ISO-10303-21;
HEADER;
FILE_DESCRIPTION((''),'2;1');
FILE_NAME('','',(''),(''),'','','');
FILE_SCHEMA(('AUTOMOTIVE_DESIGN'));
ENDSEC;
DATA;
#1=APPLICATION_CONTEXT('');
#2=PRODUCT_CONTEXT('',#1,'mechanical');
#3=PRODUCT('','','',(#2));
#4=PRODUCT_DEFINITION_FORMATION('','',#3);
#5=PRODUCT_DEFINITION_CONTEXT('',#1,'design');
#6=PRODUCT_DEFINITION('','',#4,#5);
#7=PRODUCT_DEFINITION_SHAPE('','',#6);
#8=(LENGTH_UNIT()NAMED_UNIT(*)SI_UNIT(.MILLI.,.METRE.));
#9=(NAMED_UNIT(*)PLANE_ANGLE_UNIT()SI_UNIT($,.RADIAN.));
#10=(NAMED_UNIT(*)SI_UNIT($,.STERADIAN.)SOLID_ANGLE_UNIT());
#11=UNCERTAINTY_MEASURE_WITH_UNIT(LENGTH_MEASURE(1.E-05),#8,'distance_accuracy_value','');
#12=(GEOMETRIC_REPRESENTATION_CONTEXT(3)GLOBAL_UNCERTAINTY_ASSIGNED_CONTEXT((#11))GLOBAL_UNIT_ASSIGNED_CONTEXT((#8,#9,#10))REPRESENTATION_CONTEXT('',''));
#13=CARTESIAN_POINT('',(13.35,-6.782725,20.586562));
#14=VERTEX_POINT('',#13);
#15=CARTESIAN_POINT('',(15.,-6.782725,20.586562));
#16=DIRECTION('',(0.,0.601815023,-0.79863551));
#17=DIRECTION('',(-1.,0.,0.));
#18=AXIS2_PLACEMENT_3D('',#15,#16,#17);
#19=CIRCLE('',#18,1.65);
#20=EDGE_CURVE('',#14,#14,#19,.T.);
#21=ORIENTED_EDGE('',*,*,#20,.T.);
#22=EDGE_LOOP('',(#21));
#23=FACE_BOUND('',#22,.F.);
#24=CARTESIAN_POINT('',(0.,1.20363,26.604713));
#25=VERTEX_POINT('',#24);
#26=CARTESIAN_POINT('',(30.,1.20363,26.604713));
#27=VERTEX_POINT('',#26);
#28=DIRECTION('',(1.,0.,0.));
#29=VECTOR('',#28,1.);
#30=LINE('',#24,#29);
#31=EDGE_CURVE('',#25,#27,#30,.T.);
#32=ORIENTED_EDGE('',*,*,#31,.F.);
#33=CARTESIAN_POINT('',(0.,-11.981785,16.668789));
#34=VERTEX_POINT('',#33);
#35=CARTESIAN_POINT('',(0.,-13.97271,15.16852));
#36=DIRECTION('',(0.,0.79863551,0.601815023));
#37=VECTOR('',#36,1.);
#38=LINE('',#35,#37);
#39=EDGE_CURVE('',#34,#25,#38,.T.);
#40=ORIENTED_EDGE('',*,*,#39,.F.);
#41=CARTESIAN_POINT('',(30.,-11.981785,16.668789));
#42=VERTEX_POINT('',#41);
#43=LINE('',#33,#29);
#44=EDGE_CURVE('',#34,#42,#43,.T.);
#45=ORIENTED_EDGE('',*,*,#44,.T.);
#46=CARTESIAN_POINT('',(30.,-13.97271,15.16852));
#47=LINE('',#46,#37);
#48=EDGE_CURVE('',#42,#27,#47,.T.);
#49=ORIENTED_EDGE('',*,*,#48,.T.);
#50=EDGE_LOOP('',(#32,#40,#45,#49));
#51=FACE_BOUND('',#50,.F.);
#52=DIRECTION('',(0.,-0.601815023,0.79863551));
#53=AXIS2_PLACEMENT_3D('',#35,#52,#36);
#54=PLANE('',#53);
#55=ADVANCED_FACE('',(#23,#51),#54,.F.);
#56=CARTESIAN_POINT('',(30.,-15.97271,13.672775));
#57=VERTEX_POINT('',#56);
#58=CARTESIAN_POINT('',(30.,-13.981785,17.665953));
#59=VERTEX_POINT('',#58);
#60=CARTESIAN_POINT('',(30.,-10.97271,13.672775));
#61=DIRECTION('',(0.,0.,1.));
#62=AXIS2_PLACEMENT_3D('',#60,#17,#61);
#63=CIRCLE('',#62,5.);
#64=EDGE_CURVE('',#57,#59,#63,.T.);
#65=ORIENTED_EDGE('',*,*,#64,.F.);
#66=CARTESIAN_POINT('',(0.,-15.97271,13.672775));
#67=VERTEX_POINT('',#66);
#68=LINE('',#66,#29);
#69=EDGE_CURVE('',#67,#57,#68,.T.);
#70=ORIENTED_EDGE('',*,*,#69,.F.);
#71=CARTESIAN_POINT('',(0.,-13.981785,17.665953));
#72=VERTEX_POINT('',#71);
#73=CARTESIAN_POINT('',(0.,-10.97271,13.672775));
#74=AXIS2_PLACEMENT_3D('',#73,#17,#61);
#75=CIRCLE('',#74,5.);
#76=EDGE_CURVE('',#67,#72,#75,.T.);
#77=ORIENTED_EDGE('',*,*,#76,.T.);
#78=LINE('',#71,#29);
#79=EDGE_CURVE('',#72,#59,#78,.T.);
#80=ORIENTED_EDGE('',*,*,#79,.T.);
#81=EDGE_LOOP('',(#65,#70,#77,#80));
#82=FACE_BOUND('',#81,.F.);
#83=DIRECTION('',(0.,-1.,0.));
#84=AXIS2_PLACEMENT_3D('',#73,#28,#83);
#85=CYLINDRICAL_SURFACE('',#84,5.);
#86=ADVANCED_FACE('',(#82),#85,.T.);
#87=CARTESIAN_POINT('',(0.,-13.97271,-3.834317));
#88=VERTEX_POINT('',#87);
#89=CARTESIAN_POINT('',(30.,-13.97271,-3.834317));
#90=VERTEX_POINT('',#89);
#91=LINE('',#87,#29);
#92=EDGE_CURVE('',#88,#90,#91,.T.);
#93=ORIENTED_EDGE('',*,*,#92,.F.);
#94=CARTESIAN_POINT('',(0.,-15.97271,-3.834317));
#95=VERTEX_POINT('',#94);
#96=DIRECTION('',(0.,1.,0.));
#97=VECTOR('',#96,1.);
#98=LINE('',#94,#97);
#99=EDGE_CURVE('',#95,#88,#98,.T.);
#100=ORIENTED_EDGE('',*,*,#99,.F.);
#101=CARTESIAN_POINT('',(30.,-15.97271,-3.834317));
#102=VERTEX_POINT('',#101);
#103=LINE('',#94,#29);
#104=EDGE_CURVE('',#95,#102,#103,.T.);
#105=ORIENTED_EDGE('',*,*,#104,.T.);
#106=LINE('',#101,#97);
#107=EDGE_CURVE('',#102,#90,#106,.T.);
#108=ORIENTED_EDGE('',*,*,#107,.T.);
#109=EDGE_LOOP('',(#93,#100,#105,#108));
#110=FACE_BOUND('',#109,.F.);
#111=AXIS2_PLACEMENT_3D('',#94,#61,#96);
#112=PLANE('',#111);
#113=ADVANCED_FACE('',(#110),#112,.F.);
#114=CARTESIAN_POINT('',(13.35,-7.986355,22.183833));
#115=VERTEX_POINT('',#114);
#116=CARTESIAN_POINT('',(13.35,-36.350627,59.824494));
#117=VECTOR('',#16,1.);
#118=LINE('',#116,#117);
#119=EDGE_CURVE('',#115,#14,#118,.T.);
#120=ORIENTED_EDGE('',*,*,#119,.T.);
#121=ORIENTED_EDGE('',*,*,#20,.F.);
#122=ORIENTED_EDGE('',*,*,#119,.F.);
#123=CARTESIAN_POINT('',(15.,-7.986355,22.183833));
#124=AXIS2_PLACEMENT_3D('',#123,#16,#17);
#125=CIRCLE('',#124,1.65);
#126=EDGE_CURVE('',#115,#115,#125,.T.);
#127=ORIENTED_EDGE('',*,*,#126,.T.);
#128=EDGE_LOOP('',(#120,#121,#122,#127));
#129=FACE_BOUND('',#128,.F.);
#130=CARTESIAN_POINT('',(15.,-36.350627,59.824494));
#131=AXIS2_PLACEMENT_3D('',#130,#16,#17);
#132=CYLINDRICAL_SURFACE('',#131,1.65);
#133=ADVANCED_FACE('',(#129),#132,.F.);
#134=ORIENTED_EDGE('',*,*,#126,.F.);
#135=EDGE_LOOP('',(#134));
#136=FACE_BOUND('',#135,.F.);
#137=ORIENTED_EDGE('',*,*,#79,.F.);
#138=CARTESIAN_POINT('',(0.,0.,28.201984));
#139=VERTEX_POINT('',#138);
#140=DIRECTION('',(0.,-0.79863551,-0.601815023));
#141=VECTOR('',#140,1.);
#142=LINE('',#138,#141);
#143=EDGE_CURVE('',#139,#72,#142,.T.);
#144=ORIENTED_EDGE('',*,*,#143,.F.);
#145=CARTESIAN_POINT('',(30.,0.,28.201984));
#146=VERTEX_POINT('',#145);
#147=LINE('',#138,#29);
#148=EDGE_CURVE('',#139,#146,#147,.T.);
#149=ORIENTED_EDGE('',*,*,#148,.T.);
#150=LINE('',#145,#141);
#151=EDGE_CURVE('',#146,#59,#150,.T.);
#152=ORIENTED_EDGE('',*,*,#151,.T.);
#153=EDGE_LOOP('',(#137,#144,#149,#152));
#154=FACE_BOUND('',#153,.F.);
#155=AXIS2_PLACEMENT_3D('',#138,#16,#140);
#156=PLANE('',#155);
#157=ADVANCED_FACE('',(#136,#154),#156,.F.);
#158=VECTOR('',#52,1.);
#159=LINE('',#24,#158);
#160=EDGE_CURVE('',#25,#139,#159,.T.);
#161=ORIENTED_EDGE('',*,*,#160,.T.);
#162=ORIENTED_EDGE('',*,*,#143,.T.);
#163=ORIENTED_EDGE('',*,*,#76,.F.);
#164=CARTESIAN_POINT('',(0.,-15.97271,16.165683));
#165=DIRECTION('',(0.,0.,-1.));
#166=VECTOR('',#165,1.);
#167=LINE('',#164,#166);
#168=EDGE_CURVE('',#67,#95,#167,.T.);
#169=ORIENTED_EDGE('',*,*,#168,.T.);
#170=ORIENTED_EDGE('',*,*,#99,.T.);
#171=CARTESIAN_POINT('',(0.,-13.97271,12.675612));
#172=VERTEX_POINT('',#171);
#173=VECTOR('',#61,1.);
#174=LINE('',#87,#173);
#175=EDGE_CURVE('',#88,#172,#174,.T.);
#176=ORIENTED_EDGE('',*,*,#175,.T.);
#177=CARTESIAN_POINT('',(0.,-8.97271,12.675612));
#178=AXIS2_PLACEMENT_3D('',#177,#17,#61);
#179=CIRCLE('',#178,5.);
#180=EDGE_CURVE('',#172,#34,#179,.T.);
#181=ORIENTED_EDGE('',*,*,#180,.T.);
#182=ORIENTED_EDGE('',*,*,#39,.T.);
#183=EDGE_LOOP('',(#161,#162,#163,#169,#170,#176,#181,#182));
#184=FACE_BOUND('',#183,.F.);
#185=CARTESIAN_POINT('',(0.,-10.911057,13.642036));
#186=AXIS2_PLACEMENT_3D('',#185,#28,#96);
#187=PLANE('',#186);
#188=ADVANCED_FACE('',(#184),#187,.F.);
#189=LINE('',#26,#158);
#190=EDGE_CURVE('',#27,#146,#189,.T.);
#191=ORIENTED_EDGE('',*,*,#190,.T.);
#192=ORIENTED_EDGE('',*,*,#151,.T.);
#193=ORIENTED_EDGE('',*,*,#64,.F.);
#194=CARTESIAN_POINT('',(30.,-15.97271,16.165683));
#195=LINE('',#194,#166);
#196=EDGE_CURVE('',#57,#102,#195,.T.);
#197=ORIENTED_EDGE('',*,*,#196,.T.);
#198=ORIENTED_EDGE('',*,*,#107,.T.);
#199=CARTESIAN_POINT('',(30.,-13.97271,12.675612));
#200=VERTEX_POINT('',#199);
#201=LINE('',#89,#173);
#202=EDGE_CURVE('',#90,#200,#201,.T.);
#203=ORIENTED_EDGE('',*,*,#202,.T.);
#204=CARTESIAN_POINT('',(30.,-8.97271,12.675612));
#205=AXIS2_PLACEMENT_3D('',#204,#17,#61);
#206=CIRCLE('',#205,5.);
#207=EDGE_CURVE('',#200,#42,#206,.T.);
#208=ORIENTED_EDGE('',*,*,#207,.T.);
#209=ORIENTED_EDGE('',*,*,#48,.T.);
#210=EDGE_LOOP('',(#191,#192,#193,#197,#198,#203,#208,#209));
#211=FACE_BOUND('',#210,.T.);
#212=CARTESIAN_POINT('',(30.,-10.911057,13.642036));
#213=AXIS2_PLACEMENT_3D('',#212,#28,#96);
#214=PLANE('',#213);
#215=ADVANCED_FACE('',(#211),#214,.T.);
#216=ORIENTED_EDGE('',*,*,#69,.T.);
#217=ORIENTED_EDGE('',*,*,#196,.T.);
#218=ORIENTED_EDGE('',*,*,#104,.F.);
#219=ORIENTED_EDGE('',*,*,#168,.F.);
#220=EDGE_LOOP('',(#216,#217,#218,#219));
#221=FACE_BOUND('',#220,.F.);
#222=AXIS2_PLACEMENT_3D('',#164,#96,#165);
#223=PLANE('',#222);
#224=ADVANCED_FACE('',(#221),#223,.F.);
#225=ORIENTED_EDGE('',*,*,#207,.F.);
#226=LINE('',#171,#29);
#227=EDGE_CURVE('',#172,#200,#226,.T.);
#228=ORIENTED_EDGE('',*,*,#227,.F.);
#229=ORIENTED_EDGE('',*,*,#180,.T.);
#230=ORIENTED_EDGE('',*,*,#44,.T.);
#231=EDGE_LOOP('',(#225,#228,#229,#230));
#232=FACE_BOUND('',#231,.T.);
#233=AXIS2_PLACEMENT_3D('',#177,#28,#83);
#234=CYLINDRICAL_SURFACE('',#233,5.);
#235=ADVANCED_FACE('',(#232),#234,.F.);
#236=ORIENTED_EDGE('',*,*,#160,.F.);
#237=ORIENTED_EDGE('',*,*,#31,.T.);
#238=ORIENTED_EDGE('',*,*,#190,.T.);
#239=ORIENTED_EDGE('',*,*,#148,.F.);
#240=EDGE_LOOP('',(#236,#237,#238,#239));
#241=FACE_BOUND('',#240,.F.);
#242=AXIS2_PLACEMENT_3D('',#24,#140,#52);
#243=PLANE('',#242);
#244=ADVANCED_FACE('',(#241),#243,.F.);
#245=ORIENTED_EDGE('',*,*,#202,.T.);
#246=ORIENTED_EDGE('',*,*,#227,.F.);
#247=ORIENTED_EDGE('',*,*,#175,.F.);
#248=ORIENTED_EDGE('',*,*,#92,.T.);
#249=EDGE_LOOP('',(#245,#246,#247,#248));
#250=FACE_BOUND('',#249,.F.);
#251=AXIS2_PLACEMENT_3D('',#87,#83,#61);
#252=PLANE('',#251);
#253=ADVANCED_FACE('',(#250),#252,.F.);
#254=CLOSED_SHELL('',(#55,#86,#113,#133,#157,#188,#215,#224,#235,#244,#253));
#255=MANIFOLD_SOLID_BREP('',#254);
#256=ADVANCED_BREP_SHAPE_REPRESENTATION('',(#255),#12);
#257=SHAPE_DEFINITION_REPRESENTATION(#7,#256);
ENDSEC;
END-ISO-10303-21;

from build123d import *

# Parameters (mm, degrees)
F1_DEPTH = 30
F3_D     = 3.3
F4_R     = 5


with BuildPart() as f1:
    # F0 (on Right) → F1 (new body)
    with BuildSketch(Plane.YZ):
        Polygon((-15.9727102009, 16.1656831887), (-15.9727102009, -3.8343168113), (-13.9727102009, -3.8343168113), (-13.9727102009, 15.1685199726), (1.2036300463, 26.6047126317), (0, 28.2019836518), align=None)
    extrude(amount=F1_DEPTH)

    # F3 (through all)
    with Locations(Plane(origin=(0, -13.554743317, 17.9877519272), x_dir=(1, 0, 0), z_dir=(0, -0.6018150232, 0.79863551))):
        with Locations((15, 6.9723774443)):
            Hole(F3_D / 2)

    # F4
    f4_edges = [f1.edges().sort_by_distance(p)[0] for p in [
        (15, -15.97271, 16.165683),
        (15, -13.97271, 15.16852),
    ]]
    fillet(f4_edges, radius=F4_R)


solid = f1.part
